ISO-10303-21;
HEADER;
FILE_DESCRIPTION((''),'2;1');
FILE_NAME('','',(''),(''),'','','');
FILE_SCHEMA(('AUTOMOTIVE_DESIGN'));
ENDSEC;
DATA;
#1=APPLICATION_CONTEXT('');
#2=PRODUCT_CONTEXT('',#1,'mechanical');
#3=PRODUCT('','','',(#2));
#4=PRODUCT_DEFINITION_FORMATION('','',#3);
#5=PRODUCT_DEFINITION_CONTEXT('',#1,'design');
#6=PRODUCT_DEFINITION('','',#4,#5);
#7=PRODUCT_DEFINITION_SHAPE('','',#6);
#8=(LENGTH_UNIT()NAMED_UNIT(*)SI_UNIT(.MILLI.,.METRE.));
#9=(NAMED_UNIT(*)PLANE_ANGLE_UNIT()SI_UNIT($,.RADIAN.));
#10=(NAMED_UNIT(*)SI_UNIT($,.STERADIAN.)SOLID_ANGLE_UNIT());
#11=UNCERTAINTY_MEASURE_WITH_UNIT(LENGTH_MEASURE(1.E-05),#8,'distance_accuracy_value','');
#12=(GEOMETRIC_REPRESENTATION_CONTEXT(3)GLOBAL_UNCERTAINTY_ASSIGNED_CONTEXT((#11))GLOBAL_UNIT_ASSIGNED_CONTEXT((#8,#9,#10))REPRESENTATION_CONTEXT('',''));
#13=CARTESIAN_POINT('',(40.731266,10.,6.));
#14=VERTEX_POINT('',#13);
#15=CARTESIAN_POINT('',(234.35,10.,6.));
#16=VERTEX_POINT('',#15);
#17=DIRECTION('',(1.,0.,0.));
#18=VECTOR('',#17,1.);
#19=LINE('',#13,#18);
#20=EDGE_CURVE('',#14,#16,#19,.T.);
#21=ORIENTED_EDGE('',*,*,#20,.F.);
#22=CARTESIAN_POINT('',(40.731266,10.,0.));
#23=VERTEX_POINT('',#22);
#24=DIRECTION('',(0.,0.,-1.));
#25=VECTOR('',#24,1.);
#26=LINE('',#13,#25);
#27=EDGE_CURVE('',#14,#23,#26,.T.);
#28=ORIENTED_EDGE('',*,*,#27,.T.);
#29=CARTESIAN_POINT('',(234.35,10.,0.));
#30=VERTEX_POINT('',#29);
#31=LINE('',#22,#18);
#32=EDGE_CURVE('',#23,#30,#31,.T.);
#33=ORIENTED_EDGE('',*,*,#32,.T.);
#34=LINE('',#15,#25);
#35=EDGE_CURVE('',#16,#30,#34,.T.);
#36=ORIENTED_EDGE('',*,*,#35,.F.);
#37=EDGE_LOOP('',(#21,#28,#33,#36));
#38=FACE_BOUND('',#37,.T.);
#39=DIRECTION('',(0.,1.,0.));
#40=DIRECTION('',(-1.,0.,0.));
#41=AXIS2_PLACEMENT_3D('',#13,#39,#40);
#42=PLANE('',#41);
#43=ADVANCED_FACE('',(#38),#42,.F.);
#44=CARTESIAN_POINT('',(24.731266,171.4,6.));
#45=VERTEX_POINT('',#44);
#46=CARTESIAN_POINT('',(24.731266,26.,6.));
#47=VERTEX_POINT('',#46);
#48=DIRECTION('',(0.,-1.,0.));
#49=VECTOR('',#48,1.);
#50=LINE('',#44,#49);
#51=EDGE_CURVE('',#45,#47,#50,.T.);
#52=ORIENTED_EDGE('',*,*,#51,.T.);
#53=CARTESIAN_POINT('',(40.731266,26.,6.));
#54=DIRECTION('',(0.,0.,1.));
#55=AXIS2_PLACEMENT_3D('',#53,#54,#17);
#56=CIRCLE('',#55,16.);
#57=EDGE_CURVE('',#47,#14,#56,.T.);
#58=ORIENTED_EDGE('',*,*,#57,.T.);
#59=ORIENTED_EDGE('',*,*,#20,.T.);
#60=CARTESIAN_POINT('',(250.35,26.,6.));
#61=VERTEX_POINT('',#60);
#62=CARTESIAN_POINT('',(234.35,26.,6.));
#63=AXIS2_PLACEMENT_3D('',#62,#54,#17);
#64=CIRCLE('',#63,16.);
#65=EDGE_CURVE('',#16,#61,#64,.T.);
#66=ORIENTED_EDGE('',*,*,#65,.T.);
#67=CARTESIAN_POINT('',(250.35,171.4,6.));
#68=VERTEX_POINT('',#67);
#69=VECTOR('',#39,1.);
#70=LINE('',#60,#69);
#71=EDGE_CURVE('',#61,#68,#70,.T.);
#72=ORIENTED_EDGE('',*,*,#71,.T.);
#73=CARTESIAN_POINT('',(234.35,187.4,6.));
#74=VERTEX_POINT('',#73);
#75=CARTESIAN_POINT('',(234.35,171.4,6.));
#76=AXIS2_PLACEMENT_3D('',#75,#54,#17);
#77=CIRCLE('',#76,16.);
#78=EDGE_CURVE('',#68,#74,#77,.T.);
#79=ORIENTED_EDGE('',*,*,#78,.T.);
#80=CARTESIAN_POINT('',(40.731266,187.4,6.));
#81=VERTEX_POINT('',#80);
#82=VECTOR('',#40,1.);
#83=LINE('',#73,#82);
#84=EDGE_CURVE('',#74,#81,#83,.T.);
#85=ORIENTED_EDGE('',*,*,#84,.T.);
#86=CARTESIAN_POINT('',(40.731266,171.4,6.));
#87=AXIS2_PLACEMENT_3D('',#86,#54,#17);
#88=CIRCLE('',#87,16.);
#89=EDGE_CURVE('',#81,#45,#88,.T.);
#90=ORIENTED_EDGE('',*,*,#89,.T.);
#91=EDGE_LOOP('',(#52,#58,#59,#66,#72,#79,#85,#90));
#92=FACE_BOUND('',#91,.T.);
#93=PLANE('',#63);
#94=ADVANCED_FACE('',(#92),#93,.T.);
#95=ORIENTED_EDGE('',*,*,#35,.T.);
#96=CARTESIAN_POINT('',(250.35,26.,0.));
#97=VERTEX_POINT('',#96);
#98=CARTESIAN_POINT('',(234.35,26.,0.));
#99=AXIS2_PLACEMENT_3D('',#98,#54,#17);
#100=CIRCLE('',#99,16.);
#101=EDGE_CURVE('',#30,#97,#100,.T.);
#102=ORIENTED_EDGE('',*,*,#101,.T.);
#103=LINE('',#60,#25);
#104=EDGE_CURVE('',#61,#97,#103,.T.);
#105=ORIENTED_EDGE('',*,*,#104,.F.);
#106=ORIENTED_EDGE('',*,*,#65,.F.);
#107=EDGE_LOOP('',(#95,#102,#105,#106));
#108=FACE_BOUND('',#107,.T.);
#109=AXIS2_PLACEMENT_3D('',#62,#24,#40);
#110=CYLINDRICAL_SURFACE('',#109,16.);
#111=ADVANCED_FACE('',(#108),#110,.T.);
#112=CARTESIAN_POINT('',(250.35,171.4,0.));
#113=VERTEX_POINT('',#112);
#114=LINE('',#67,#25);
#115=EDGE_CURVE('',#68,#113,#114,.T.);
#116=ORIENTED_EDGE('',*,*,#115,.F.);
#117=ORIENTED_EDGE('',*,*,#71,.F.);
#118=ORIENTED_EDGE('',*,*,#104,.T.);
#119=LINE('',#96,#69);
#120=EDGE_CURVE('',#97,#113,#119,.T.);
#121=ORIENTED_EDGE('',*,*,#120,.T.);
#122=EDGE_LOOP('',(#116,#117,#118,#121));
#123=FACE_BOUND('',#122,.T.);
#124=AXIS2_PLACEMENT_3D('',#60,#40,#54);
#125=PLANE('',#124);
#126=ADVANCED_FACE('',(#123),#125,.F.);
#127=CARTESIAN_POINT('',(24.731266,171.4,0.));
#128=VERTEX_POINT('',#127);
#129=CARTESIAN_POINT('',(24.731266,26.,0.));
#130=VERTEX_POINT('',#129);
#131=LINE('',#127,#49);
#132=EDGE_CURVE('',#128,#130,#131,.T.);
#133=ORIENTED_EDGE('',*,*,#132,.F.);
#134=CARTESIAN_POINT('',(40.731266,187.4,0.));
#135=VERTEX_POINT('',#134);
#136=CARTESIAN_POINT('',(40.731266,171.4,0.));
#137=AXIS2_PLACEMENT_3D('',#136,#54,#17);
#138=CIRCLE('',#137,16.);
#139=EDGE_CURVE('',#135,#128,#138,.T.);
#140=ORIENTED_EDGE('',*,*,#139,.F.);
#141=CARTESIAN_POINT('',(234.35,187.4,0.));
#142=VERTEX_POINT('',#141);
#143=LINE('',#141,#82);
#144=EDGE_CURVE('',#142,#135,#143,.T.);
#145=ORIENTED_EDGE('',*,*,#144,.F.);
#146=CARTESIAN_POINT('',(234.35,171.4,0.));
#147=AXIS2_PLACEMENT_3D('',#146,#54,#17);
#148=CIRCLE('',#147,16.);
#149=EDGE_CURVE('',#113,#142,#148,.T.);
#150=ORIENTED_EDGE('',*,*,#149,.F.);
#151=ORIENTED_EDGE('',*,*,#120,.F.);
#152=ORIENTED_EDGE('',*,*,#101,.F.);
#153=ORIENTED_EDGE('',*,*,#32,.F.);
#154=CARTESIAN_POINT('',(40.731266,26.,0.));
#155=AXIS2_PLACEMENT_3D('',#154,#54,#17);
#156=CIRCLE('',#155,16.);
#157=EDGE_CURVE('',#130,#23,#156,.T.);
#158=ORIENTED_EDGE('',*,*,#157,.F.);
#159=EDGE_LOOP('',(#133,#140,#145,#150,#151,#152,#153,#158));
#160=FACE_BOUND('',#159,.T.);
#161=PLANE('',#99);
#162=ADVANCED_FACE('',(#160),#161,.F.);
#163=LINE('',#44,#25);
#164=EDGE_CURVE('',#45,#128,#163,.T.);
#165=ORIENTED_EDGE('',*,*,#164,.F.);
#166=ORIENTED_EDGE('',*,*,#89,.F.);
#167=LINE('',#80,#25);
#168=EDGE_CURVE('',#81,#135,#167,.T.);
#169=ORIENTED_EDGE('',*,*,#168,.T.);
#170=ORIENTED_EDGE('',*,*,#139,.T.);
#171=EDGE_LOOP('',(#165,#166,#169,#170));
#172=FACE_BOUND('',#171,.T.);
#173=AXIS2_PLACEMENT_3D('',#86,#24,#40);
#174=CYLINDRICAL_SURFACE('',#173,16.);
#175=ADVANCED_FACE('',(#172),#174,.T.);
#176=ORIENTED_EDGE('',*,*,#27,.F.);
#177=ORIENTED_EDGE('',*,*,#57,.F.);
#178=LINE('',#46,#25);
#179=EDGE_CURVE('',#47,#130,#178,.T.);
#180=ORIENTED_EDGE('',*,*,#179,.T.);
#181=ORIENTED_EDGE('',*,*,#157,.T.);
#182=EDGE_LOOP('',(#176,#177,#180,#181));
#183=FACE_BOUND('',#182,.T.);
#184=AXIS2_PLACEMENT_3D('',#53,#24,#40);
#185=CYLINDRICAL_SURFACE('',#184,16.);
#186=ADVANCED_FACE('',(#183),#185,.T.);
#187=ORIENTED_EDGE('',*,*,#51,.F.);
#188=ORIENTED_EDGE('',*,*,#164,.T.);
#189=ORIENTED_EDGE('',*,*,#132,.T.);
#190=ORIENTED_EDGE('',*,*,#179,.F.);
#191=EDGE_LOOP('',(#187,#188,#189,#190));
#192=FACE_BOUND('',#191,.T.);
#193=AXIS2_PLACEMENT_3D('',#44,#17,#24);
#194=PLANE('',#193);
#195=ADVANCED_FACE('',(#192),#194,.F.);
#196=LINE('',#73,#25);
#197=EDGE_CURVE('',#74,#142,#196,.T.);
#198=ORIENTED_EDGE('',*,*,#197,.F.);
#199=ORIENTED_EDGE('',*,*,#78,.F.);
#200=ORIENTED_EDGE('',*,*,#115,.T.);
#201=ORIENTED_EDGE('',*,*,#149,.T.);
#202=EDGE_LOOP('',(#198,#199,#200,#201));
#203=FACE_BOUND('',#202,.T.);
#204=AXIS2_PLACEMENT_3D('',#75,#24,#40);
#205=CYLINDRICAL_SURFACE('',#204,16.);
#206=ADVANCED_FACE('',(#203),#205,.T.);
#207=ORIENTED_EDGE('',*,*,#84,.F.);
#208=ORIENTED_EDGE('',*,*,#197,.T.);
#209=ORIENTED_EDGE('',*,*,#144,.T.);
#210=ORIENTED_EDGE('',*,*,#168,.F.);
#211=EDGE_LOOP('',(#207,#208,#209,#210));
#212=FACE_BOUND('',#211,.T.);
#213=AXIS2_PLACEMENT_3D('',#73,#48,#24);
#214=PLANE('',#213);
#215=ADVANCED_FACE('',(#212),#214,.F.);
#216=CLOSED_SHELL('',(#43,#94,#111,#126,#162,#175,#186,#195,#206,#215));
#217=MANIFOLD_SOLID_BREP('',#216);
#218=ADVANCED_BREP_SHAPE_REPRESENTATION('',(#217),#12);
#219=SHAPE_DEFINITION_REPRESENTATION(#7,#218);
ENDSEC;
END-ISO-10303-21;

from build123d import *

# Parameters (mm, degrees)
BOSS_EXTRUDE1_DEPTH = 6


with BuildPart() as part:
    # Sketch1 → Boss-Extrude1 (new body)
    with BuildSketch(Plane.XY):
        with BuildLine():
            Line((250.35, 26), (250.35, 171.4))
            ThreePointArc((250.35, 171.4), (245.663708499, 182.713708499), (234.35, 187.4))
            Line((234.35, 187.4), (40.731266216, 187.4))
            ThreePointArc((40.731266216, 187.4), (29.417557717, 182.713708499), (24.731266216, 171.4))
            Line((24.731266216, 171.4), (24.731266216, 26))
            ThreePointArc((24.731266216, 26), (29.417557717, 14.686291501), (40.731266216, 10))
            Line((40.731266216, 10), (234.35, 10))
            ThreePointArc((234.35, 10), (245.663708499, 14.686291501), (250.35, 26))
        make_face()
    extrude(amount=BOSS_EXTRUDE1_DEPTH)


solid = part.part
